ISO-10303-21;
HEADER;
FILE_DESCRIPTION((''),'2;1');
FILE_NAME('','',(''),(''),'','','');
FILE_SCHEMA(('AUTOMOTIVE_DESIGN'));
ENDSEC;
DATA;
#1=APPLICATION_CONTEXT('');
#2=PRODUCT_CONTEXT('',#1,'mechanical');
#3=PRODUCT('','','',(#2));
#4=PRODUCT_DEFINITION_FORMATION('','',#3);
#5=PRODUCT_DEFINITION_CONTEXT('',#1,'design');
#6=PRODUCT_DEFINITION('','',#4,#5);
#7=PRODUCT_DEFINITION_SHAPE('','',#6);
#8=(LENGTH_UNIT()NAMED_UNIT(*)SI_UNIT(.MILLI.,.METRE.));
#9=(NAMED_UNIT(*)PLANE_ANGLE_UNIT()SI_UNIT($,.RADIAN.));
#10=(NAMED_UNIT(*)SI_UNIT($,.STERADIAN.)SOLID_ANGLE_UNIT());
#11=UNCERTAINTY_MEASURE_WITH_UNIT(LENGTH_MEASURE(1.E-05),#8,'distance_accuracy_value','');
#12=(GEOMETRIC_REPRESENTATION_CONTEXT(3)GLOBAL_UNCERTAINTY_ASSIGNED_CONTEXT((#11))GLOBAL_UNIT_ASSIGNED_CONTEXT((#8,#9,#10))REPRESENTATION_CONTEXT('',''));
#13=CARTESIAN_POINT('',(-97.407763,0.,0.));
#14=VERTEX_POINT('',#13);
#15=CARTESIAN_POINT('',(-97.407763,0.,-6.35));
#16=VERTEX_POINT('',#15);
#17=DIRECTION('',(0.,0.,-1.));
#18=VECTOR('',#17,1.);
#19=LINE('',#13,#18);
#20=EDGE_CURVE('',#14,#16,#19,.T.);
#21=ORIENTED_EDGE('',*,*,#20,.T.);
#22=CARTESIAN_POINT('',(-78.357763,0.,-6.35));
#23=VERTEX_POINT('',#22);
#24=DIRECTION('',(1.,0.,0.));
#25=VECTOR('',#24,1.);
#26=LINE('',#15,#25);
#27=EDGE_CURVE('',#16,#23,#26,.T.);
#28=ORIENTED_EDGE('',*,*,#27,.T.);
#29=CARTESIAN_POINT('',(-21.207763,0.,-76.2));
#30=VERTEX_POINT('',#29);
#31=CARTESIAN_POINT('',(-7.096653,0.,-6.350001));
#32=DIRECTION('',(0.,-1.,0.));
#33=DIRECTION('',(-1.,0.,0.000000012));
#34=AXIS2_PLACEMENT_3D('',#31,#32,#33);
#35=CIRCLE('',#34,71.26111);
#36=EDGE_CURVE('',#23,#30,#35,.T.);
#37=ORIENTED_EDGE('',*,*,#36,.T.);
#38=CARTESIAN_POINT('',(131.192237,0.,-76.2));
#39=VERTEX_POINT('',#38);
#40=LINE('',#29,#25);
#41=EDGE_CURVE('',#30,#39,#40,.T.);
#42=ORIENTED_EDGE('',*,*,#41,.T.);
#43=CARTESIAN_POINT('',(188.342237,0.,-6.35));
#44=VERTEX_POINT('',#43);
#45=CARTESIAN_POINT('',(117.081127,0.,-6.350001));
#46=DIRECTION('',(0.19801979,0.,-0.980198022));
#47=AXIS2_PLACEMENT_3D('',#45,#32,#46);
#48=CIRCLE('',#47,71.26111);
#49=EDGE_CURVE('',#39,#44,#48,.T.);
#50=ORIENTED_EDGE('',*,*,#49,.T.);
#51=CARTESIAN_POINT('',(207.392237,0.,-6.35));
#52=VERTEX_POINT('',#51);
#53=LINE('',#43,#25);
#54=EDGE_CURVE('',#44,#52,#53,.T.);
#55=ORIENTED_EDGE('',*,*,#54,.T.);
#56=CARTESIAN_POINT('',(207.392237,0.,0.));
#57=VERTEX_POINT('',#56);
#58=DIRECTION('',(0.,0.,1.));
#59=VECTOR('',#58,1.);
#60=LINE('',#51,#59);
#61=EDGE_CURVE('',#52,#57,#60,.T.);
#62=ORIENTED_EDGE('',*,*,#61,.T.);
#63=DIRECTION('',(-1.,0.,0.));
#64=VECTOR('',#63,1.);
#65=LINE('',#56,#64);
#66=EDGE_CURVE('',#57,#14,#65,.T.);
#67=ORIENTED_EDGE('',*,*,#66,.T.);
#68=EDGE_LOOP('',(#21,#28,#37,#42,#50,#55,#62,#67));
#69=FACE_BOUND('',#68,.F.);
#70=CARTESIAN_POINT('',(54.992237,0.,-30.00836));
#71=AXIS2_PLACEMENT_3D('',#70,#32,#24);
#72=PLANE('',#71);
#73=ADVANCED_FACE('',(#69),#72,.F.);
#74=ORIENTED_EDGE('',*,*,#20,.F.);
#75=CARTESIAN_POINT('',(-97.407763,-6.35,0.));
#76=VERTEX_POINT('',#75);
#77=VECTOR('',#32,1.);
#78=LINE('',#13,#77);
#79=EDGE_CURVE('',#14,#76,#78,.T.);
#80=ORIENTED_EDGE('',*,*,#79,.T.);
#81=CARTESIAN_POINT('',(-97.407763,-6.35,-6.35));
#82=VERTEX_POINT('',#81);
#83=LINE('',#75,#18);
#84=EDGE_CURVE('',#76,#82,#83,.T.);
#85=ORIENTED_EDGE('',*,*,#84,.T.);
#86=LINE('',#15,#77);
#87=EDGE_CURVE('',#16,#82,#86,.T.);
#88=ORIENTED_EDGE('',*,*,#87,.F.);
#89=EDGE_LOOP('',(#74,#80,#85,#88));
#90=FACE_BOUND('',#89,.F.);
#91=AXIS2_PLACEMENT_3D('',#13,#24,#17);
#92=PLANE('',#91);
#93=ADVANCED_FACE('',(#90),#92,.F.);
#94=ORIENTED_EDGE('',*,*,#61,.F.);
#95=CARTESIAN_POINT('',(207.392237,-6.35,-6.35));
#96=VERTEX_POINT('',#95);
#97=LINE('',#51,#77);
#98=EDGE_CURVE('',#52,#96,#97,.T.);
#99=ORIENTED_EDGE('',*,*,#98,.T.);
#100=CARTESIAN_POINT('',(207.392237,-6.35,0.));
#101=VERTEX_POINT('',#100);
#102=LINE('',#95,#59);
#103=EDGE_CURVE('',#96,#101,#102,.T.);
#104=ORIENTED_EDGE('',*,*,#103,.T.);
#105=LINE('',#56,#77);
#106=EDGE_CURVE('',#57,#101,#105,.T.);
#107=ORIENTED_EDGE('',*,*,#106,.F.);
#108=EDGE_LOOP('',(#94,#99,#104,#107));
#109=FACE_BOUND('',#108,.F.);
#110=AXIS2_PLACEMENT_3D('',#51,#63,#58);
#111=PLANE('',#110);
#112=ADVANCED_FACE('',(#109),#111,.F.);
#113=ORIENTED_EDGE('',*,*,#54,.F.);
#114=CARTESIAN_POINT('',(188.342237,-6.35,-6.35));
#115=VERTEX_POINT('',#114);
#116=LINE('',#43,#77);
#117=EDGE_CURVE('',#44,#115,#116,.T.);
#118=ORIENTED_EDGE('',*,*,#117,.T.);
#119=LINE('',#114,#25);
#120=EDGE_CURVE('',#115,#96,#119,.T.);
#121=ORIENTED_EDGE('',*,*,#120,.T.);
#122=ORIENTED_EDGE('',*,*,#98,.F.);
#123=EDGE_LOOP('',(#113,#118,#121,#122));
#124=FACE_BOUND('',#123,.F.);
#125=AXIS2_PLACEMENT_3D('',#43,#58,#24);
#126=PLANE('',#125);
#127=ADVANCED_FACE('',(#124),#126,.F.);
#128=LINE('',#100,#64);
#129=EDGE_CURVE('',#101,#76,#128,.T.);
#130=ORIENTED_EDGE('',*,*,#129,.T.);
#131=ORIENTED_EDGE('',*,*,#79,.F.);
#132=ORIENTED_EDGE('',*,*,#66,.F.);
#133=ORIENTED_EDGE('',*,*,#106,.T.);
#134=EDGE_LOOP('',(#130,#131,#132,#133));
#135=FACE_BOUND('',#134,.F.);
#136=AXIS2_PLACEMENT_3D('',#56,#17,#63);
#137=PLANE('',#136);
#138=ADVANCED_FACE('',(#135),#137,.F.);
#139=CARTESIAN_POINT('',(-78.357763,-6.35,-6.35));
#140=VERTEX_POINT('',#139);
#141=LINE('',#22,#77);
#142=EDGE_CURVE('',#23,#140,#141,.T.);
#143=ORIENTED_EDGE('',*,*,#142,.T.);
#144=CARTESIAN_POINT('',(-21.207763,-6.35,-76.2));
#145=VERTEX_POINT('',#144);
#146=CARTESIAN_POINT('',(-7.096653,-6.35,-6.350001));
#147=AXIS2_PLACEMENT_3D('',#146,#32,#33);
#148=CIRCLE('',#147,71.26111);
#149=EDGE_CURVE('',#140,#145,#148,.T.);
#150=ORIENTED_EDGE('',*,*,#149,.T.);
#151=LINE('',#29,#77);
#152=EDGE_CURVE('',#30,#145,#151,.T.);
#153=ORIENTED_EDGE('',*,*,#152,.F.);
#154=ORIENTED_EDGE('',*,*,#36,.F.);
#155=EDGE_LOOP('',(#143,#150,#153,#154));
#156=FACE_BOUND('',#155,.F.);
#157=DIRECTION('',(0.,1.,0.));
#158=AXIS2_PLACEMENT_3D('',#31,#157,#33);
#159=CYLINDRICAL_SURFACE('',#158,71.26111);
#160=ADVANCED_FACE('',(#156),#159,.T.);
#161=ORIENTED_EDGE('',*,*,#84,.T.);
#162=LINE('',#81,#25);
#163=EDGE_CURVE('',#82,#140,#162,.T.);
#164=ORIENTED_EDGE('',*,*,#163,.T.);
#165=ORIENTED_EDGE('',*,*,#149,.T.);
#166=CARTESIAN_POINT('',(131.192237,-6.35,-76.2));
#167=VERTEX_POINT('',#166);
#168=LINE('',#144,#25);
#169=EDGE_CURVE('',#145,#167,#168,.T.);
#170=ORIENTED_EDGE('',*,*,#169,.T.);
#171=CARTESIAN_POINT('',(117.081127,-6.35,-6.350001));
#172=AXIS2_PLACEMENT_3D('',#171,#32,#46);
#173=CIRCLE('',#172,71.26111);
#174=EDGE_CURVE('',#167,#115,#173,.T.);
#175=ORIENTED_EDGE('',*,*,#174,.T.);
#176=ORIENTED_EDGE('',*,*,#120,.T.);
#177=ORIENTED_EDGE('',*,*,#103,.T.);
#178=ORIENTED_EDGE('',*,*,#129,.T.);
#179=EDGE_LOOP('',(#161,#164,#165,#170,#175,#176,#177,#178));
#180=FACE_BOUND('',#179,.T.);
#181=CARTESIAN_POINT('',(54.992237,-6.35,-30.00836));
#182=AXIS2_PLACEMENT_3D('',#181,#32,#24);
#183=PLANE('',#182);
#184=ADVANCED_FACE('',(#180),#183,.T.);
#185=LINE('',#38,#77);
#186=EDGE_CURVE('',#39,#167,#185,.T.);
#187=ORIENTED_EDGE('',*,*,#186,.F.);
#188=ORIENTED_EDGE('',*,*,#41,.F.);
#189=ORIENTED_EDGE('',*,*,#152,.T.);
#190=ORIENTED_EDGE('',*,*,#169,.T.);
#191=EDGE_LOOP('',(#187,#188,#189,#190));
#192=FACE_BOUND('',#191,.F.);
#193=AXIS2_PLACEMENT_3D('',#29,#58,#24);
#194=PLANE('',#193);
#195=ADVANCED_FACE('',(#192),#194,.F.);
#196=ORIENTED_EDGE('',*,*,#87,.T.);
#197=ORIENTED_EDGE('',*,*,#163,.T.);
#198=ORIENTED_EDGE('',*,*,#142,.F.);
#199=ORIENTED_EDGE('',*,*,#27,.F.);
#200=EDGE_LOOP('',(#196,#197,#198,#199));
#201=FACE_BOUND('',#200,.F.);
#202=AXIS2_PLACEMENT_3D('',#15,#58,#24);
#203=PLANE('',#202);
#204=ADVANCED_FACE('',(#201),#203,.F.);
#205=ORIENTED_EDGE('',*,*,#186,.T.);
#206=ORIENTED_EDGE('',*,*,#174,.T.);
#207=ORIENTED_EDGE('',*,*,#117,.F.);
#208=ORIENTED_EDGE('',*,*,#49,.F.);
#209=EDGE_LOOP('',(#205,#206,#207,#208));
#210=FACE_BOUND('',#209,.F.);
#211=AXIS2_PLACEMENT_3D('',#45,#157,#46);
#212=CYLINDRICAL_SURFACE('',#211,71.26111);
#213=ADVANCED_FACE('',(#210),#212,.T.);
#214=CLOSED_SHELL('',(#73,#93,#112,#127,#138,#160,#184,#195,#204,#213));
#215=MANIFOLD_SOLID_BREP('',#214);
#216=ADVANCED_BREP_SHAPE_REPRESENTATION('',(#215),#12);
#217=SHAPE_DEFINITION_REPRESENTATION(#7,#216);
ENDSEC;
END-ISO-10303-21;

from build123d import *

# Parameters (mm, degrees)
F1_DEPTH = 6.35


with BuildPart() as f1:
    # F0 (on Front) → F1 (new body)
    with BuildSketch(Plane.XZ):
        with BuildLine():
            Line((-72.007763, 0), (-97.407763, 0))
            Line((-97.407763, 0), (-97.407763, -6.35))
            Line((-97.407763, -6.35), (-78.357763, -6.35))
            ThreePointArc((-78.357763, -6.35), (-62.249709, -51.475229), (-21.207763, -76.2))
            Line((-21.207763, -76.2), (131.192237, -76.2))
            ThreePointArc((131.192237, -76.2), (172.234183, -51.475229), (188.342237, -6.35))
            Line((188.342237, -6.35), (207.392237, -6.35))
            Line((207.392237, -6.35), (207.392237, 0))
            Line((207.392237, 0), (181.992237, 0))
            Line((181.992237, 0), (54.992237, 0))
            Line((54.992237, 0), (-72.007763, 0))
        make_face()
    extrude(amount=F1_DEPTH)


solid = f1.part
